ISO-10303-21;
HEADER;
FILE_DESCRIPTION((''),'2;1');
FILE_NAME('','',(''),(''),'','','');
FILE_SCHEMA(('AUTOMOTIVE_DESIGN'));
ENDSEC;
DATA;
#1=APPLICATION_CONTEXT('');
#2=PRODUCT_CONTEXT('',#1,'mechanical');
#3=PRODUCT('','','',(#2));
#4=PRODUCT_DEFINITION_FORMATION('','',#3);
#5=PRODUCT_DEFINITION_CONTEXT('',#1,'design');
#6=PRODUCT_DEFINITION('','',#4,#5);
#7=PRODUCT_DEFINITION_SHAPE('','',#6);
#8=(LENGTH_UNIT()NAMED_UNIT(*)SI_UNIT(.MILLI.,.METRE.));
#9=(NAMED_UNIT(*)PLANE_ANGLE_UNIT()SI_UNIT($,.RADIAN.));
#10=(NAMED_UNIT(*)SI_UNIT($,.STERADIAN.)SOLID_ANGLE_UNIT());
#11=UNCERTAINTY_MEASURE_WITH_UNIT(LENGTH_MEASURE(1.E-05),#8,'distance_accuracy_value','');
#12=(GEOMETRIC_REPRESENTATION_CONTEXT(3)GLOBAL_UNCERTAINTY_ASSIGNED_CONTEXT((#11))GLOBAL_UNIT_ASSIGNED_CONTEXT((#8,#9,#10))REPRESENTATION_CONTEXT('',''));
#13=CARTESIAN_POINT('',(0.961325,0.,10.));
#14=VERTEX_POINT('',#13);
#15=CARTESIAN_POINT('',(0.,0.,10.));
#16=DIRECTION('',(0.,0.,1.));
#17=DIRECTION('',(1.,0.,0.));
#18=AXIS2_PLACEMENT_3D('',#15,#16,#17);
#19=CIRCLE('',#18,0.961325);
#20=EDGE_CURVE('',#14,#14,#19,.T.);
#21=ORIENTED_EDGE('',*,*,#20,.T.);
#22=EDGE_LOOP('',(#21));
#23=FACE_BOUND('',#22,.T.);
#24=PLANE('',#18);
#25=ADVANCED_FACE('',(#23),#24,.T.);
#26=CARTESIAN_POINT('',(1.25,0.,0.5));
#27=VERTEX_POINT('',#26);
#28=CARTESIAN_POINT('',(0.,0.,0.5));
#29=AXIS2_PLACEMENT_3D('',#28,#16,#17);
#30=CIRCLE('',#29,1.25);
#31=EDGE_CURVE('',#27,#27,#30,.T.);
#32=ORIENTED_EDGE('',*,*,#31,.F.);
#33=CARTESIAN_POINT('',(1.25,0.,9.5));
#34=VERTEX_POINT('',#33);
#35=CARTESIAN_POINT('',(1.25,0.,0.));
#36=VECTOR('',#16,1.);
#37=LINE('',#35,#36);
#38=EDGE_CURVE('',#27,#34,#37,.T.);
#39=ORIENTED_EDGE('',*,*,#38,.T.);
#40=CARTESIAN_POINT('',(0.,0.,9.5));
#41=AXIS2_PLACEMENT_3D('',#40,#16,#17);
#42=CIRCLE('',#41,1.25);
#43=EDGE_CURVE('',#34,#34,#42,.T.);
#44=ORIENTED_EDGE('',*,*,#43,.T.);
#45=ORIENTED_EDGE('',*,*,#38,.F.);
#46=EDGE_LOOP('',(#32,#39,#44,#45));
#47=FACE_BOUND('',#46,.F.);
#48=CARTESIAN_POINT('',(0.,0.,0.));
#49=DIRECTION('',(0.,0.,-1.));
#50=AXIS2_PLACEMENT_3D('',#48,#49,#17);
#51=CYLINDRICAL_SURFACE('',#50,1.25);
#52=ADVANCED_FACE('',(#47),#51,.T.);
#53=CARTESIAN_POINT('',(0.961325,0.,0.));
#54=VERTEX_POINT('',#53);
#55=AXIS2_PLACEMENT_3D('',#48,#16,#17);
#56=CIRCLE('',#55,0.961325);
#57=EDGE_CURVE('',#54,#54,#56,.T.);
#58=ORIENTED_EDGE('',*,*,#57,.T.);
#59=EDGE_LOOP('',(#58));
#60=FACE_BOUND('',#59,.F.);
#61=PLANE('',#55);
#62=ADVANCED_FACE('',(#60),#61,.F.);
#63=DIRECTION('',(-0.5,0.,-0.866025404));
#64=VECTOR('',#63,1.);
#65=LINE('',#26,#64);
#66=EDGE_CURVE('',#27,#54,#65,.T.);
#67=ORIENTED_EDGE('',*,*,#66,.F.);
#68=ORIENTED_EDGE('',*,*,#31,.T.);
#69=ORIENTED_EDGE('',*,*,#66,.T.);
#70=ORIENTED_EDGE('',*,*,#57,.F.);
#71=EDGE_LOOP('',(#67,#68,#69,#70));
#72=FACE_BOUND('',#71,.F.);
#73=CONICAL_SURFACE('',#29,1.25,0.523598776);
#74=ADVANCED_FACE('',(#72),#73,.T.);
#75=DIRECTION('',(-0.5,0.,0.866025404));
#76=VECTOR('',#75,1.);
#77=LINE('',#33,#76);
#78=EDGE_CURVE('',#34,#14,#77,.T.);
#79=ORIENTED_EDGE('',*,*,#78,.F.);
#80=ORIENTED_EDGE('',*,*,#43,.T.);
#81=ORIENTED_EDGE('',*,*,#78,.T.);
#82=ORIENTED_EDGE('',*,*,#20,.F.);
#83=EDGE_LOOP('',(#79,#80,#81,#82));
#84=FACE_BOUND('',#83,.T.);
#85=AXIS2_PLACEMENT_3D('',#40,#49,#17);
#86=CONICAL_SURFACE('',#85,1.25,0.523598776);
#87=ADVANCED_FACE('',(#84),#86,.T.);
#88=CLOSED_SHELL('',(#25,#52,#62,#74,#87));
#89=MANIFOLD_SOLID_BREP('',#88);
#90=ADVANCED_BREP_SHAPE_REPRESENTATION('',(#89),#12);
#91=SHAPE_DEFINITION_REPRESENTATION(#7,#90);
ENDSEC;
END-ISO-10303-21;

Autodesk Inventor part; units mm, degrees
ref_plane "YZ Plane" through (0, 0, 0) normal (1, 0, 0) x (0, 1, 0)
ref_plane "XZ Plane" through (0, 0, 0) normal (0, 1, 0) x (-1, 0, 0)
ref_plane "XY Plane" through (0, 0, 0) normal (0, 0, 1) x (1, 0, 0)
sketch "スケッチ1" plane through (0, 0, 0) normal (0, 0, 1) x (1, 0, 0)
  circle A0 centre (0, 0) radius 1.25
  dimension "d0" = 2.5
extrude "押し出し1" add sketch "スケッチ1" along normal blind 10
chamfer "面取り1" distance 0.5 angle 30 2 edges at (-1.25, 0, 10) (-1.25, 0, 0) measured on face at (1.2338, -0.2005, 6.6667)
properties part number "平行ピンΦ2.5,10" material "鋼、高強度、低合金"
